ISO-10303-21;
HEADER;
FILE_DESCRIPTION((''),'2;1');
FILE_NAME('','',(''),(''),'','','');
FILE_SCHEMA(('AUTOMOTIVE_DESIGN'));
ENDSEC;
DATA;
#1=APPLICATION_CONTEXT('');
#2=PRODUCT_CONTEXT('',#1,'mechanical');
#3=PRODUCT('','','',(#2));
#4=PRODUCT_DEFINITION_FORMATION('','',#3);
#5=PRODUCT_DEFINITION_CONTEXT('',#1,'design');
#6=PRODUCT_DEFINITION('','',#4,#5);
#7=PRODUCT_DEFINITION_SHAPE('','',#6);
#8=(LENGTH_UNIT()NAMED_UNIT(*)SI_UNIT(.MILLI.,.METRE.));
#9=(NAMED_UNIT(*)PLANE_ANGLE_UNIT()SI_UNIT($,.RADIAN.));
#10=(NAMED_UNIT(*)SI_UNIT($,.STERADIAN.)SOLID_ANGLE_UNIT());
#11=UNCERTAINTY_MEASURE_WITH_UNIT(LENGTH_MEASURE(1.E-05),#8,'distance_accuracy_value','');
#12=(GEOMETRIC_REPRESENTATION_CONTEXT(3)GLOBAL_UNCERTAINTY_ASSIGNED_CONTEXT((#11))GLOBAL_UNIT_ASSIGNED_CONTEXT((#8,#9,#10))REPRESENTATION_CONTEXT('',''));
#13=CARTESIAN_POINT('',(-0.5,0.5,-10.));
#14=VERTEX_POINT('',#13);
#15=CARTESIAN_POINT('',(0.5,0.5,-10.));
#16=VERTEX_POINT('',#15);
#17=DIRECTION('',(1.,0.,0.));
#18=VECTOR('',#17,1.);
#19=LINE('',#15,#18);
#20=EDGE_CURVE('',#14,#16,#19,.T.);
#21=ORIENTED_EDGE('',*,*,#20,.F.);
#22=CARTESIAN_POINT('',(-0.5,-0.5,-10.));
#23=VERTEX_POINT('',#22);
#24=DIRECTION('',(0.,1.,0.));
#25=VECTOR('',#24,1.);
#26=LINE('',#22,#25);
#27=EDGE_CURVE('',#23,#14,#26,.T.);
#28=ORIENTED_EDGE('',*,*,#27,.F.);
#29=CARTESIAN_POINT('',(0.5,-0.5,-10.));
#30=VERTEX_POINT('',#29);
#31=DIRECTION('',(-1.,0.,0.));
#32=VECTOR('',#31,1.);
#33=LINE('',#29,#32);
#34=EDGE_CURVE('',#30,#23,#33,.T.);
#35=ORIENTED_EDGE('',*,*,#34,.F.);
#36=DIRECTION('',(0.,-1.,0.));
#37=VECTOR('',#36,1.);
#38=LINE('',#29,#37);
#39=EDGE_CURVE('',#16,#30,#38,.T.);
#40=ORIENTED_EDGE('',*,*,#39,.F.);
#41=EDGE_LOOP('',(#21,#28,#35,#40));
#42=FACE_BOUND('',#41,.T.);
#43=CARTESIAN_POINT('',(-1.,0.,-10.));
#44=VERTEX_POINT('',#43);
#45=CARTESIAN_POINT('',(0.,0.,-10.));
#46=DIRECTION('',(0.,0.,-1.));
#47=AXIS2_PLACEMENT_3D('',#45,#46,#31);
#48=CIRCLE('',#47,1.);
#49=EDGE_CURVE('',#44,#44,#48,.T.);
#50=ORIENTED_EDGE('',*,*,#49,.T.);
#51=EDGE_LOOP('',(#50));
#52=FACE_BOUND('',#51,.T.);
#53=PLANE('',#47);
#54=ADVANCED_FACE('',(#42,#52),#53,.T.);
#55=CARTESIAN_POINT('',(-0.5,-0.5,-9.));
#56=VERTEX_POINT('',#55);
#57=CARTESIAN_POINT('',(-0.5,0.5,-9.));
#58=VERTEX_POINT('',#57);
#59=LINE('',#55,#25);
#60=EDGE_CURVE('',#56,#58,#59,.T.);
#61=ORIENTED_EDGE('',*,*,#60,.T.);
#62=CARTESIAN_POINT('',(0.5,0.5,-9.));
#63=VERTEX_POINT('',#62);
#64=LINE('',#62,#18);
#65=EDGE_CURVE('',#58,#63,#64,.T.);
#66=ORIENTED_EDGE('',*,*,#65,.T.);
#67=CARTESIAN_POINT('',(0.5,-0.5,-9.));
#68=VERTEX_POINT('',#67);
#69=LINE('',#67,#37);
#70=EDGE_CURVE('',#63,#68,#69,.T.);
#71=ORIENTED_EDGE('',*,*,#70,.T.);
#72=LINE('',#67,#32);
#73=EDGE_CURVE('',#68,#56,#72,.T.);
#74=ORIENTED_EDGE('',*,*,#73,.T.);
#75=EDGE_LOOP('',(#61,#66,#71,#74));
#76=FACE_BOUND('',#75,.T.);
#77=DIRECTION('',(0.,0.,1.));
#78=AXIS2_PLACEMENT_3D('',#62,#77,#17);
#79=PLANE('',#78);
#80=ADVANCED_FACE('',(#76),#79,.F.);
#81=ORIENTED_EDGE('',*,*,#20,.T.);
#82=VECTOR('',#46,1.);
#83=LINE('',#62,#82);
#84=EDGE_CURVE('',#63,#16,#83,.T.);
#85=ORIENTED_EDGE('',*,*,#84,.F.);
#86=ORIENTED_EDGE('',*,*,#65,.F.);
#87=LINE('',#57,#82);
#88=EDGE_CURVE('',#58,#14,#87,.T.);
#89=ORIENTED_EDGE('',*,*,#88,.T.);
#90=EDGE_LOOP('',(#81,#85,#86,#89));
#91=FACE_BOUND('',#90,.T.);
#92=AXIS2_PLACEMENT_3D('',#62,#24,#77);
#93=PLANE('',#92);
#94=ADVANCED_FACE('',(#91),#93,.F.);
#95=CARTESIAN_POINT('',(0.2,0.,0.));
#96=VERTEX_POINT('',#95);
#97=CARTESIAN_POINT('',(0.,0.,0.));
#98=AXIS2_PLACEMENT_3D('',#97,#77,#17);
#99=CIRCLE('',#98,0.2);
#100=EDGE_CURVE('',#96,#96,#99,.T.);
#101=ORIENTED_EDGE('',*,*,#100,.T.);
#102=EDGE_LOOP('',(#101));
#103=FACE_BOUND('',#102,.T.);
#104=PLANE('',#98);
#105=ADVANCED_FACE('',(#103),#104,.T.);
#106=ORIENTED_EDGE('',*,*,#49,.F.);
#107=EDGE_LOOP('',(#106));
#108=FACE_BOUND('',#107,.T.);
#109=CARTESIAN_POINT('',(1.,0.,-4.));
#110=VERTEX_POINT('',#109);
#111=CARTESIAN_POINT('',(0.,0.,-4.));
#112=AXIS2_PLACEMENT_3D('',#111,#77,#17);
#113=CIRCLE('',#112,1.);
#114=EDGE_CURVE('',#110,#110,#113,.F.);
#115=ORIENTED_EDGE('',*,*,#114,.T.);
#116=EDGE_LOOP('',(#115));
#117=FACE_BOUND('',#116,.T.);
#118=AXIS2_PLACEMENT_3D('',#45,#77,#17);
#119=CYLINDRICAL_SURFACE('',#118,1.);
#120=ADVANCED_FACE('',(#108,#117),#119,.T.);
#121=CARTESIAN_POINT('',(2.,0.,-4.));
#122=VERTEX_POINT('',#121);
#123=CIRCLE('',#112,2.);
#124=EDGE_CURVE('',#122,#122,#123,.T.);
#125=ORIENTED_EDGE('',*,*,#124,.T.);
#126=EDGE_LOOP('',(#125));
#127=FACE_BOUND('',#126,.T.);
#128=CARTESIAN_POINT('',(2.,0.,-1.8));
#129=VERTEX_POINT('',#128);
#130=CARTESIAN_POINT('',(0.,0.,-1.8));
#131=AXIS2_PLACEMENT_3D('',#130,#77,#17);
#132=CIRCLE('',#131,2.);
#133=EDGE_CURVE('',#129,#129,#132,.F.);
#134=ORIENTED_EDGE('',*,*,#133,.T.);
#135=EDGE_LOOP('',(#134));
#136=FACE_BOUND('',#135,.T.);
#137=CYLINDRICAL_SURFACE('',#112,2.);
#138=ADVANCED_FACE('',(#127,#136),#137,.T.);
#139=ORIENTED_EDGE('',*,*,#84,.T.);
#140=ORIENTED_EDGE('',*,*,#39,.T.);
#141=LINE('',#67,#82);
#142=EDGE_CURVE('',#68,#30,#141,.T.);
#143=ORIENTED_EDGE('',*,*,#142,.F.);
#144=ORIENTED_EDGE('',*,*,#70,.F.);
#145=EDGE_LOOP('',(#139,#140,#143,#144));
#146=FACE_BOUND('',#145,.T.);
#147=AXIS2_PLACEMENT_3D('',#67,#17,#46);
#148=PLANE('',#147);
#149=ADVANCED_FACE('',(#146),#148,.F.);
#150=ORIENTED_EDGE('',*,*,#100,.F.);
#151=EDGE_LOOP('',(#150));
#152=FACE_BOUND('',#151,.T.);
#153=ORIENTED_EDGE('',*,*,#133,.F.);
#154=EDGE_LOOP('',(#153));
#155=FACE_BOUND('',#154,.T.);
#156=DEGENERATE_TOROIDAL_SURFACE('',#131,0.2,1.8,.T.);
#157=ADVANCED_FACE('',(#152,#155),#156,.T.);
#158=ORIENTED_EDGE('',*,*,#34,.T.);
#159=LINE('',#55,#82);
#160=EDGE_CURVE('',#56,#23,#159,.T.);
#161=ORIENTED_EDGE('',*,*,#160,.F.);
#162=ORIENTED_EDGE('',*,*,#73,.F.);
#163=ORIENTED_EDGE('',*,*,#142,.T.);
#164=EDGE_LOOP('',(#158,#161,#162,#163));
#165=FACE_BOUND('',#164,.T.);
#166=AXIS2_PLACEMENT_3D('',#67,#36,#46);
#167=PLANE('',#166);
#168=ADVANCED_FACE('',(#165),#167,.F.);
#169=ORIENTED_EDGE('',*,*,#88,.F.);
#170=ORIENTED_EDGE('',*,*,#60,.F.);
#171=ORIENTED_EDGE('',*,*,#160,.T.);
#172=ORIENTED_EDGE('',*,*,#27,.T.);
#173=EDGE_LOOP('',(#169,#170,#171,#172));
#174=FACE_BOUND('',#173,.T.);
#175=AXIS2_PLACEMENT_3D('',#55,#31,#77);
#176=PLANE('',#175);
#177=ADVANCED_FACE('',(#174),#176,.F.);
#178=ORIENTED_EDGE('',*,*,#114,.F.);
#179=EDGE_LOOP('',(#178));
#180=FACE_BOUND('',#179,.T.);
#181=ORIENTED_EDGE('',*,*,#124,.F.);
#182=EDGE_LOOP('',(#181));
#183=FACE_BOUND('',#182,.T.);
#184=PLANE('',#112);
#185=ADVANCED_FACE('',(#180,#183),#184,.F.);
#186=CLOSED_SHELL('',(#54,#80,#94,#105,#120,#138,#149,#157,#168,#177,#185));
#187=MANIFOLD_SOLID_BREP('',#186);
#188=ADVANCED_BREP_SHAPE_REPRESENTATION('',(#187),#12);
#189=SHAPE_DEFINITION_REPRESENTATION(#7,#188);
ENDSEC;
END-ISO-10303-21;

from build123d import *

# Parameters (mm, degrees)
SKETCH1_R           = 2
BASE_EXTRUDE_DEPTH  = 4
FILLET1_R           = 1.8
SKETCH2_R           = 1
BOSS_EXTRUDE1_DEPTH = 6
SKETCH3_W           = 1
SKETCH3_H           = 1
CUT_EXTRUDE1_DEPTH  = 1


with BuildPart() as part:
    # Sketch1 → Base-Extrude (new body)
    with BuildSketch(Plane.XY):
        Circle(SKETCH1_R)
    extrude(amount=-BASE_EXTRUDE_DEPTH)

    # Fillet1
    fillet1_edges = [part.edges().sort_by_distance(p)[0] for p in [
        (-2, 0, 0),
    ]]
    fillet(fillet1_edges, radius=FILLET1_R)

    # Sketch2 → Boss-Extrude1 (add)
    with BuildSketch(Plane(origin=(0, 0, -4), x_dir=(-1, 0, 0), z_dir=(0, 0, -1))):
        with Locations(Location((0, 0, 0), (0, 0, 180))):
            Circle(SKETCH2_R)
    extrude(amount=BOSS_EXTRUDE1_DEPTH)

    # Sketch3 → Cut-Extrude1 (cut)
    with BuildSketch(Plane(origin=(0, 0, -10), x_dir=(-1, 0, 0), z_dir=(0, 0, -1))):
        Rectangle(SKETCH3_W, SKETCH3_H)
    extrude(amount=-CUT_EXTRUDE1_DEPTH, mode=Mode.SUBTRACT)


solid = part.part
